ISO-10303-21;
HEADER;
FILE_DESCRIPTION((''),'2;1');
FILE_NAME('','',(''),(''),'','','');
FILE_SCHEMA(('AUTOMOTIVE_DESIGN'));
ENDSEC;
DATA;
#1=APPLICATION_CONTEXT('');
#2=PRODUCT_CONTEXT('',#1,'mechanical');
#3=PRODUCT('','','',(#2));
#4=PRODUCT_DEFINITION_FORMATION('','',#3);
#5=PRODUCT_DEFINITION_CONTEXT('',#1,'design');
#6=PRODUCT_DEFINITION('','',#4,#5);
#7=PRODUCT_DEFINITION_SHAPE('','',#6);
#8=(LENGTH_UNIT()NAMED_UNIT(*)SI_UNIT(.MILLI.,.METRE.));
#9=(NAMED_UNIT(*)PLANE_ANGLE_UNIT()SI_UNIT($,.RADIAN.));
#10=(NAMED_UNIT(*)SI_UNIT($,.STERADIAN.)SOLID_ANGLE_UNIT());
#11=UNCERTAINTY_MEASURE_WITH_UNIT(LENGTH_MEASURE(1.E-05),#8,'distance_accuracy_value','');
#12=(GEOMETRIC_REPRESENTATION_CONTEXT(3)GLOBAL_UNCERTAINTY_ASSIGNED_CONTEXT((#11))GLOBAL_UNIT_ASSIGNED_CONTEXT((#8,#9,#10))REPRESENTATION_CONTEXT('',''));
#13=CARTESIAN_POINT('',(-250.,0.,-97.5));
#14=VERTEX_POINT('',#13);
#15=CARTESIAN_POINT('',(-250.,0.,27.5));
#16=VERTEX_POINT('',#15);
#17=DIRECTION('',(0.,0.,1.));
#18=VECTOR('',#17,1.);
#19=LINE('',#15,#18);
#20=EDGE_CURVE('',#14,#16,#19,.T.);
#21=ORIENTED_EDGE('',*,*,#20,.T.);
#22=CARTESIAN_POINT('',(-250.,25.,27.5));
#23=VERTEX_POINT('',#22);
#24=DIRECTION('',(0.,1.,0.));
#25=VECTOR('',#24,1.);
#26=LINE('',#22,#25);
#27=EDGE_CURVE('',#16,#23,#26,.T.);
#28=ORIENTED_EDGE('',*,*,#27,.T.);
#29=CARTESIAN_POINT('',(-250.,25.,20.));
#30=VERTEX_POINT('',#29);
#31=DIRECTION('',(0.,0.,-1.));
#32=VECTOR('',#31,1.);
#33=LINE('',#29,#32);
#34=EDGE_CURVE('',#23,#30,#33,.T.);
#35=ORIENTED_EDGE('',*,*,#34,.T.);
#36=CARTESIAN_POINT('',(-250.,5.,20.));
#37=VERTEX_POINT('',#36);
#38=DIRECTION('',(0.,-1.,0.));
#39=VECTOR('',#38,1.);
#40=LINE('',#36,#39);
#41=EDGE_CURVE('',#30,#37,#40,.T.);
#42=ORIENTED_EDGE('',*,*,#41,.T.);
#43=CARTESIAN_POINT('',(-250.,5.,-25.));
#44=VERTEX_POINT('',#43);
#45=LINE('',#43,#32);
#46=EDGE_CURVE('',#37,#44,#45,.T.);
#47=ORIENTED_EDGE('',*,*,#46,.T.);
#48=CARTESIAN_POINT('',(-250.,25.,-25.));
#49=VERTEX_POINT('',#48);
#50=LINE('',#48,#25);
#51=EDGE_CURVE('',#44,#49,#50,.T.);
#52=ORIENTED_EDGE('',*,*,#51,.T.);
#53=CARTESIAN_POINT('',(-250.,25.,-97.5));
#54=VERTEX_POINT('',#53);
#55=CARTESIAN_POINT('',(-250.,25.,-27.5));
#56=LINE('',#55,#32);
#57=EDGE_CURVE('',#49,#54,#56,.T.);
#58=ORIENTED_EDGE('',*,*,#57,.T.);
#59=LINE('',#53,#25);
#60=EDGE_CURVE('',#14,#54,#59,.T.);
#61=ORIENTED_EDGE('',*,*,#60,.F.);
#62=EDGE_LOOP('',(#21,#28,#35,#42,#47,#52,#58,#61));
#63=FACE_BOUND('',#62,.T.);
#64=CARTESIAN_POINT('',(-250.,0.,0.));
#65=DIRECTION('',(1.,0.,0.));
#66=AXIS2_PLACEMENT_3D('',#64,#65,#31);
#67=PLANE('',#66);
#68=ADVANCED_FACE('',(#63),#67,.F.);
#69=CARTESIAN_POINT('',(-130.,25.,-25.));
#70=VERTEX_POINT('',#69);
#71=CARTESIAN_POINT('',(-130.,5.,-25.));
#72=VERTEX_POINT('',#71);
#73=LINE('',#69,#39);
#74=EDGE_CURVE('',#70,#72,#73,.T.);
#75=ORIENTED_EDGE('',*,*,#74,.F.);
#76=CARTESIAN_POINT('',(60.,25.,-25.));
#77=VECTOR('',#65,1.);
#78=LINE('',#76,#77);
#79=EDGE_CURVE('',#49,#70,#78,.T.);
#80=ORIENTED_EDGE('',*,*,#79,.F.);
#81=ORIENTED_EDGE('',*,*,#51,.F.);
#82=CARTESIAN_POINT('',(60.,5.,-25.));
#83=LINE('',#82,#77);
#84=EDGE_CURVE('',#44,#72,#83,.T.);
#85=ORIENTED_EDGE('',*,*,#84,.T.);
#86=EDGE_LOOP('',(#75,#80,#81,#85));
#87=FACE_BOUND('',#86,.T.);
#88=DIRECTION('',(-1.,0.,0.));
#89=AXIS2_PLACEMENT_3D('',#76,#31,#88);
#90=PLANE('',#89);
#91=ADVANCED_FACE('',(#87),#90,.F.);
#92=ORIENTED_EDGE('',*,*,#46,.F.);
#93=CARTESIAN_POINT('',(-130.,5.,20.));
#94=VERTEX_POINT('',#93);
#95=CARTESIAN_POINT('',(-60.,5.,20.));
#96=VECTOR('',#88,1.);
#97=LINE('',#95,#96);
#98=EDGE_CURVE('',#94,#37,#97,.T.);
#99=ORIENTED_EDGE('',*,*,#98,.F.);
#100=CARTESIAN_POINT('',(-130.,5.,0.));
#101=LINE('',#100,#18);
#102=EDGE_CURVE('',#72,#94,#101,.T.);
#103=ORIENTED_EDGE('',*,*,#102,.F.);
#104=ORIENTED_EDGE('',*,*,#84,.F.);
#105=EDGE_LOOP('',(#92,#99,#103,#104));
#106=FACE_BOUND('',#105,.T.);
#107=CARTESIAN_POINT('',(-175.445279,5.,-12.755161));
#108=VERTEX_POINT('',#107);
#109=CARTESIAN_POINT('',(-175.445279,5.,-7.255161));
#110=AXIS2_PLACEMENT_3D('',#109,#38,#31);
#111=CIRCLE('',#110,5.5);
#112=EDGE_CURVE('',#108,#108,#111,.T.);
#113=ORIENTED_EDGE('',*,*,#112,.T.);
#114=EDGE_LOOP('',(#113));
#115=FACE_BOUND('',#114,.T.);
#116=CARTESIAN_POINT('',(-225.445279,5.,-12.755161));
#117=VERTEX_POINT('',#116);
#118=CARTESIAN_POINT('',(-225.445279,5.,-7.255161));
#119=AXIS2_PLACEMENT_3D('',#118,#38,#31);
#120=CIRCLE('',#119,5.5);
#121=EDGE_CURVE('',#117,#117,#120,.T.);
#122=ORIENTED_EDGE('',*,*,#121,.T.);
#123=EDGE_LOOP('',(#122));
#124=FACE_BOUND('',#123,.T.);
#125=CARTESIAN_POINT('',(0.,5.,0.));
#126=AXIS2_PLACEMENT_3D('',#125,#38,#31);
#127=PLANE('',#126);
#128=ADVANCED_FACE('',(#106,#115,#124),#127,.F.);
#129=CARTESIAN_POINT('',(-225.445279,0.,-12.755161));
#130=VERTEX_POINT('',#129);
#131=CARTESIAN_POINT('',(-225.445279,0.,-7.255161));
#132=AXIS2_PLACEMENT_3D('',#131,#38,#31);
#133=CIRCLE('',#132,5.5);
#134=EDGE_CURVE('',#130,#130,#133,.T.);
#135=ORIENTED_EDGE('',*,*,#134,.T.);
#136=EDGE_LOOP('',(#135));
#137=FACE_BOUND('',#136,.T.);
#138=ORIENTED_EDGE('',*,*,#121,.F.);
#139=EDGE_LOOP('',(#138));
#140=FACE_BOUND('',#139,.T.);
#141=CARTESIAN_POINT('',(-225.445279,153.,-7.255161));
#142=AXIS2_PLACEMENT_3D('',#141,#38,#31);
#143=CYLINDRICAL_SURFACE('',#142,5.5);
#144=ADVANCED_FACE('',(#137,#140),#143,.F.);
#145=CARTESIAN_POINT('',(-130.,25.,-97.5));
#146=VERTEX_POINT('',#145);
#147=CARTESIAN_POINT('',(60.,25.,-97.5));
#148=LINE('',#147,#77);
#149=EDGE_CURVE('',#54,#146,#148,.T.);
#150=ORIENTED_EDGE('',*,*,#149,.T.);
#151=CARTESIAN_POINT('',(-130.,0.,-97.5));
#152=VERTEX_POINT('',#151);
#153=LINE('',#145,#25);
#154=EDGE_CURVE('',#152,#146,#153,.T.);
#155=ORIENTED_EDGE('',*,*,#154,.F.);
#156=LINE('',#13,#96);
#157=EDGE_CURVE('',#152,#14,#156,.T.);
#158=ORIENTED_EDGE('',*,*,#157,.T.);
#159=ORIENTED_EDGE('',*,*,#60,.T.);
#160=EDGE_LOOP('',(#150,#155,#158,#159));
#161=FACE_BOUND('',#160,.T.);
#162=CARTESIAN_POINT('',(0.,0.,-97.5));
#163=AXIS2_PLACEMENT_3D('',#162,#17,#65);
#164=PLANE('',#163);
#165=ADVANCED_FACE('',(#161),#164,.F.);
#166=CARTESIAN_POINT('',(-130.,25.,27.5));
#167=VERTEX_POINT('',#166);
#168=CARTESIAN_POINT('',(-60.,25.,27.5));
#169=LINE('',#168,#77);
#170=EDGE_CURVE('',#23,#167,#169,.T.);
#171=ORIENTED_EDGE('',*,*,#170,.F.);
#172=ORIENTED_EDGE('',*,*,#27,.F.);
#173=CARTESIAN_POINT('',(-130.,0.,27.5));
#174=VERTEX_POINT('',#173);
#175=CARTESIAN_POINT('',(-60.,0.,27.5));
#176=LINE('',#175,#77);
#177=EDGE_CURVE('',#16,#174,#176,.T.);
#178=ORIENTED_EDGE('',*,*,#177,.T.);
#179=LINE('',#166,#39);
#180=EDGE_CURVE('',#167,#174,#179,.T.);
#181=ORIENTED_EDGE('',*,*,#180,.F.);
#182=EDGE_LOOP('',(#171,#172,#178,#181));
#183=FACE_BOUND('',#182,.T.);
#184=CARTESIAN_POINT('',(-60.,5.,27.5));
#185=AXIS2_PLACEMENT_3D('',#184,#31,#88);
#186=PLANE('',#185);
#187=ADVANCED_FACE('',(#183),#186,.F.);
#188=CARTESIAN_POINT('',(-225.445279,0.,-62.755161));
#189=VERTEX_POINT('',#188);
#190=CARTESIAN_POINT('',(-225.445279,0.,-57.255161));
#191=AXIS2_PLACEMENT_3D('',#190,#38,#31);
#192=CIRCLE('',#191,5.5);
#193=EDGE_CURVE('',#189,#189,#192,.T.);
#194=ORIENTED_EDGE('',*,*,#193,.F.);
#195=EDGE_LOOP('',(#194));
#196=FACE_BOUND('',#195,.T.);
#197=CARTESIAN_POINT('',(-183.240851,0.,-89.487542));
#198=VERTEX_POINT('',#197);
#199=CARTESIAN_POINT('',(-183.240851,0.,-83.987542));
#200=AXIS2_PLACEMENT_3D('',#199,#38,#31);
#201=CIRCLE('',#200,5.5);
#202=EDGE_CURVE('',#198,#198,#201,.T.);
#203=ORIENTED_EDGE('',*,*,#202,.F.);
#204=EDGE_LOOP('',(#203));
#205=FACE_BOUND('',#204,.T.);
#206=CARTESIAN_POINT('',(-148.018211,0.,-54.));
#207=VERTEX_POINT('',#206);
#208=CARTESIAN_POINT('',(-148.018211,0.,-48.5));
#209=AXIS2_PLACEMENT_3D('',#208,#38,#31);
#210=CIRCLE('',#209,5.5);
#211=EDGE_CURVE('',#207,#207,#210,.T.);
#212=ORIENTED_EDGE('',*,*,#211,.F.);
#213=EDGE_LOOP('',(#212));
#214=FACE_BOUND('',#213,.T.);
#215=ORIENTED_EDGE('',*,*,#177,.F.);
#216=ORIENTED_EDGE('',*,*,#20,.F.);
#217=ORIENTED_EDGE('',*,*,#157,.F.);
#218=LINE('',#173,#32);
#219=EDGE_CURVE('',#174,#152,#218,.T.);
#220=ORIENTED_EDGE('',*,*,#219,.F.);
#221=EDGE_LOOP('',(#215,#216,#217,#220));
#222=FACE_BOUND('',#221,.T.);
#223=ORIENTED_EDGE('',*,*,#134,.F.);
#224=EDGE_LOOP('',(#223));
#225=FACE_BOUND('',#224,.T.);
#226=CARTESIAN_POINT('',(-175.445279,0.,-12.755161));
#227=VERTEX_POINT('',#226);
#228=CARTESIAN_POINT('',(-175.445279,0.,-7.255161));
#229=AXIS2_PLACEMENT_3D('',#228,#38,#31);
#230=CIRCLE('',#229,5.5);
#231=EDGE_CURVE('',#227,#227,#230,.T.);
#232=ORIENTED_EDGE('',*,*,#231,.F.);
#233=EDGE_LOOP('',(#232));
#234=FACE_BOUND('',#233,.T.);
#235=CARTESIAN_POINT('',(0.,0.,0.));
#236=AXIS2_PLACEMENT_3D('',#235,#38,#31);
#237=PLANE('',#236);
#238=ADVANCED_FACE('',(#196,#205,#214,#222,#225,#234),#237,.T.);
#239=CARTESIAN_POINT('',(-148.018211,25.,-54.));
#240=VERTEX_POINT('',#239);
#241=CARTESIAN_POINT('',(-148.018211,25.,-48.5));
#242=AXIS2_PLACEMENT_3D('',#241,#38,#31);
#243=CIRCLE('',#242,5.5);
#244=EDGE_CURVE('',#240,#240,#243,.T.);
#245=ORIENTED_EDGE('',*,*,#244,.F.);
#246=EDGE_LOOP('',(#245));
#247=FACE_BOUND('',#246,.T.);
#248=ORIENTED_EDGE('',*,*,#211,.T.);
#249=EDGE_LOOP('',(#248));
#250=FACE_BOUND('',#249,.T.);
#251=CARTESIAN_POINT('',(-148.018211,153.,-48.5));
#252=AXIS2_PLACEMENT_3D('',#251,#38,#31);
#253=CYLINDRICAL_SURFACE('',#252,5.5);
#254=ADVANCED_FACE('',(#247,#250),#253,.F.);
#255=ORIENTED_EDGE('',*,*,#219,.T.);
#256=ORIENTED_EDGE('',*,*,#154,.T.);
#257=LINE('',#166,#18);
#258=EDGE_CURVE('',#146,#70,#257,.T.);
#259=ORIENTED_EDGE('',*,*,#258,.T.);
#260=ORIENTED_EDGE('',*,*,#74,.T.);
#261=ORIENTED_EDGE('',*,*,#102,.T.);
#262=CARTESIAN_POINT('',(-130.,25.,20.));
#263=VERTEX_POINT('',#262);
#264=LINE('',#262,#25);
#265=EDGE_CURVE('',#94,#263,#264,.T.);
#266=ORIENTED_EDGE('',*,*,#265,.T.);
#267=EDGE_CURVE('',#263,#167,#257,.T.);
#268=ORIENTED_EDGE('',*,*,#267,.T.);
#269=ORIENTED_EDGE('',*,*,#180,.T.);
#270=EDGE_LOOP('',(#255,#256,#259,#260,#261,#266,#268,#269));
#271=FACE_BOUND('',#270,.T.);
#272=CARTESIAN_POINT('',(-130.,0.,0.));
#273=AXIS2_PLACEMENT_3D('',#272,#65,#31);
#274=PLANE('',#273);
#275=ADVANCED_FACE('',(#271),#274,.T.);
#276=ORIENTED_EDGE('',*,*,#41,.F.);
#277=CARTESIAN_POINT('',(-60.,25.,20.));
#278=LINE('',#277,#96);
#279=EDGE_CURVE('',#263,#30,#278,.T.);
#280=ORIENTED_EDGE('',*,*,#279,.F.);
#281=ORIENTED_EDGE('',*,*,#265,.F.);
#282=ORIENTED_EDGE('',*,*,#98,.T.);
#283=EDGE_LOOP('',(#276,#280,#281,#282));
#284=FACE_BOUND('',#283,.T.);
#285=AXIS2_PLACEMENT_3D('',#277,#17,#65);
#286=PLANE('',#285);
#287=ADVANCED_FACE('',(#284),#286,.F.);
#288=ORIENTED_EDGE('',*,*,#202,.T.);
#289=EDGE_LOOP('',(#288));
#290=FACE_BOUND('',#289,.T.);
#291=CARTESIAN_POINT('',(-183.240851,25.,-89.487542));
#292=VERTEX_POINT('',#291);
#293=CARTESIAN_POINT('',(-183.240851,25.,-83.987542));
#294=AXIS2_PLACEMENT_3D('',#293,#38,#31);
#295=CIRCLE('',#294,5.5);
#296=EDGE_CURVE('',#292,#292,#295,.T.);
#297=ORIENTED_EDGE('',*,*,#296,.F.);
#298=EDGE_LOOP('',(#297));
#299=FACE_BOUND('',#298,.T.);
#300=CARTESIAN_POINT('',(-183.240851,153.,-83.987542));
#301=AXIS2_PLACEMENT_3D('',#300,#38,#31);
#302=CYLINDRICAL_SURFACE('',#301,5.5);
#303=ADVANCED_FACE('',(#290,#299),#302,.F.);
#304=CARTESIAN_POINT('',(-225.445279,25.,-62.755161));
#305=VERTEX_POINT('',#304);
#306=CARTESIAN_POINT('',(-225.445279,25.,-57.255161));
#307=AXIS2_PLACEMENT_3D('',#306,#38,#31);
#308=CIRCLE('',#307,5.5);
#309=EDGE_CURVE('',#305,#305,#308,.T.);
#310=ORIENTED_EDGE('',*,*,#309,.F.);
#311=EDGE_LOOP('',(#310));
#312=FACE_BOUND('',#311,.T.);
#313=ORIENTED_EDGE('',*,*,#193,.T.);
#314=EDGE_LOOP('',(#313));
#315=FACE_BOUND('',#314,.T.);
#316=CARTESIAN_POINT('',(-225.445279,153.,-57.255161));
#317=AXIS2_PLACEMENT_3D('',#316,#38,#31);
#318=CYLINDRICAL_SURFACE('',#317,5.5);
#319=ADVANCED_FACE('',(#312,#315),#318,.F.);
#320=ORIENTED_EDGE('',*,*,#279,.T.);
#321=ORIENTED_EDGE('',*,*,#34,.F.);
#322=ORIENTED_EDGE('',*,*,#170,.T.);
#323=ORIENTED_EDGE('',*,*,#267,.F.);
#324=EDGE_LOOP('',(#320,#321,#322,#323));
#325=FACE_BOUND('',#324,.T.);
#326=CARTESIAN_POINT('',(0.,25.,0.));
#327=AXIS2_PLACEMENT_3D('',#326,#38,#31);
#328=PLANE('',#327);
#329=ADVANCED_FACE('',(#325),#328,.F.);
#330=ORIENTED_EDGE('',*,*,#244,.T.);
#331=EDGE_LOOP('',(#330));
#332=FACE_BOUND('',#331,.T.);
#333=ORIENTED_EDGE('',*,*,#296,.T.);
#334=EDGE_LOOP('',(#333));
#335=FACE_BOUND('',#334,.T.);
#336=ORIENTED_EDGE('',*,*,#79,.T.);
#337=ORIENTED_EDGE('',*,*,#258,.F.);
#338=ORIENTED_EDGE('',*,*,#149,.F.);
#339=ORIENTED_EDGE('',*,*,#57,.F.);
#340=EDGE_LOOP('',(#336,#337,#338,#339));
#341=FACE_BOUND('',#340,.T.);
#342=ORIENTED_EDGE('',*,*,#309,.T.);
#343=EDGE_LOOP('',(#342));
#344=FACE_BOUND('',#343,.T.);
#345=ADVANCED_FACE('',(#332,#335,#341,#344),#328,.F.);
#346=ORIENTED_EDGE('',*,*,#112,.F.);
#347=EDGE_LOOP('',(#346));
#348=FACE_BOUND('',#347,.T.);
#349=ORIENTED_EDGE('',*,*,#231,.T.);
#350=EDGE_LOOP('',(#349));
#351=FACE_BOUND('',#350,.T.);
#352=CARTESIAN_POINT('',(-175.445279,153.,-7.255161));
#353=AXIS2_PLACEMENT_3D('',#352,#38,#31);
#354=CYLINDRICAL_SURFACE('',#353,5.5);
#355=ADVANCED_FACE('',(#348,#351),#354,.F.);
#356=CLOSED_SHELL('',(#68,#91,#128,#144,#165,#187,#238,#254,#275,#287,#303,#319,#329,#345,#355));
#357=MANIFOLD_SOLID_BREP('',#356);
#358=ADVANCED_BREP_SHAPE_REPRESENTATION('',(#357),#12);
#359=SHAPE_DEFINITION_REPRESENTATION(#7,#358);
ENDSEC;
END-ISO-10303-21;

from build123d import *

# Parameters (mm, degrees)
SKETCH1_W           = 120
SKETCH1_H           = 55
BOSS_EXTRUDE1_DEPTH = 5
SKETCH2_W           = 120
SKETCH2_H           = 7.5
BOSS_EXTRUDE2_DEPTH = 20
SKETCH3_W           = 120
SKETCH3_H           = 2.5
BOSS_EXTRUDE4_DEPTH = 20
BOSS_EXTRUDE5_DEPTH = 190
SKETCH9_W           = 310
SKETCH9_H           = 25
BOSS_EXTRUDE6_DEPTH = 70
SKETCH14_R          = 5.5
CUT_EXTRUDE5_DEPTH  = 153
SKETCH15_W          = 125
SKETCH15_H          = 25
CUT_EXTRUDE6_DEPTH  = 190


with BuildPart() as part:
    # Sketch1 → Boss-Extrude1 (new body)
    with BuildSketch(Plane(origin=(0, 0, 0), x_dir=(1, 0, 0), z_dir=(0, 1, 0))):
        Rectangle(SKETCH1_W, SKETCH1_H)
    extrude(amount=BOSS_EXTRUDE1_DEPTH)

    # Sketch2 → Boss-Extrude2 (add)
    with BuildSketch(Plane(origin=(0, 5, 0), x_dir=(1, 0, 0), z_dir=(0, 1, 0))):
        with Locations((0, -23.75)):
            Rectangle(SKETCH2_W, SKETCH2_H)
    extrude(amount=BOSS_EXTRUDE2_DEPTH)

    # Sketch3 → Boss-Extrude4 (add)
    with BuildSketch(Plane(origin=(0, 5, 0), x_dir=(1, 0, 0), z_dir=(0, 1, 0))):
        with Locations((0, 26.25)):
            Rectangle(SKETCH3_W, SKETCH3_H)
    extrude(amount=BOSS_EXTRUDE4_DEPTH)

    # Sketch8 → Boss-Extrude5 (add)
    with BuildSketch(Plane.ZY.offset(60)):
        Polygon((-27.5, 0), (-27.5, 25), (-25, 25), (-25, 5), (20, 5), (20, 25), (27.5, 25), (27.5, 0), align=None)
    extrude(amount=BOSS_EXTRUDE5_DEPTH)

    # Sketch9 → Boss-Extrude6 (add)
    with BuildSketch(Plane(origin=(0, 0, -27.5), x_dir=(-1, 0, 0), z_dir=(0, 0, -1))):
        with Locations((95, 12.5)):
            Rectangle(SKETCH9_W, SKETCH9_H)
    extrude(amount=BOSS_EXTRUDE6_DEPTH)

    # Sketch14 → Cut-Extrude5 (cut)
    with BuildSketch(Plane(origin=(0, 0, 0), x_dir=(-1, 0, 0), z_dir=(0, -1, 0))):
        with Locations(Location((225.445279058, 7.255161462, 0), (0, 0, 90))):
            Circle(SKETCH14_R)
        with Locations(Location((175.445279058, 7.255161462, 0), (0, 0, 90))):
            Circle(SKETCH14_R)
        with Locations(Location((225.445279058, 57.255161462, 0), (0, 0, 90))):
            Circle(SKETCH14_R)
        with Locations(Location((148.0182107, 48.5, 0), (0, 0, 90))):
            Circle(SKETCH14_R)
        with Locations(Location((183.240850763, 83.987541856, 0), (0, 0, 90))):
            Circle(SKETCH14_R)
    extrude(amount=-CUT_EXTRUDE5_DEPTH, mode=Mode.SUBTRACT)

    # Sketch15 → Cut-Extrude6 (cut)
    with BuildSketch(Plane(origin=(60, 0, 0), x_dir=(0, 0, -1), z_dir=(1, 0, 0))):
        with Locations((35, 12.5)):
            Rectangle(SKETCH15_W, SKETCH15_H)
    extrude(amount=-CUT_EXTRUDE6_DEPTH, mode=Mode.SUBTRACT)


solid = part.part
